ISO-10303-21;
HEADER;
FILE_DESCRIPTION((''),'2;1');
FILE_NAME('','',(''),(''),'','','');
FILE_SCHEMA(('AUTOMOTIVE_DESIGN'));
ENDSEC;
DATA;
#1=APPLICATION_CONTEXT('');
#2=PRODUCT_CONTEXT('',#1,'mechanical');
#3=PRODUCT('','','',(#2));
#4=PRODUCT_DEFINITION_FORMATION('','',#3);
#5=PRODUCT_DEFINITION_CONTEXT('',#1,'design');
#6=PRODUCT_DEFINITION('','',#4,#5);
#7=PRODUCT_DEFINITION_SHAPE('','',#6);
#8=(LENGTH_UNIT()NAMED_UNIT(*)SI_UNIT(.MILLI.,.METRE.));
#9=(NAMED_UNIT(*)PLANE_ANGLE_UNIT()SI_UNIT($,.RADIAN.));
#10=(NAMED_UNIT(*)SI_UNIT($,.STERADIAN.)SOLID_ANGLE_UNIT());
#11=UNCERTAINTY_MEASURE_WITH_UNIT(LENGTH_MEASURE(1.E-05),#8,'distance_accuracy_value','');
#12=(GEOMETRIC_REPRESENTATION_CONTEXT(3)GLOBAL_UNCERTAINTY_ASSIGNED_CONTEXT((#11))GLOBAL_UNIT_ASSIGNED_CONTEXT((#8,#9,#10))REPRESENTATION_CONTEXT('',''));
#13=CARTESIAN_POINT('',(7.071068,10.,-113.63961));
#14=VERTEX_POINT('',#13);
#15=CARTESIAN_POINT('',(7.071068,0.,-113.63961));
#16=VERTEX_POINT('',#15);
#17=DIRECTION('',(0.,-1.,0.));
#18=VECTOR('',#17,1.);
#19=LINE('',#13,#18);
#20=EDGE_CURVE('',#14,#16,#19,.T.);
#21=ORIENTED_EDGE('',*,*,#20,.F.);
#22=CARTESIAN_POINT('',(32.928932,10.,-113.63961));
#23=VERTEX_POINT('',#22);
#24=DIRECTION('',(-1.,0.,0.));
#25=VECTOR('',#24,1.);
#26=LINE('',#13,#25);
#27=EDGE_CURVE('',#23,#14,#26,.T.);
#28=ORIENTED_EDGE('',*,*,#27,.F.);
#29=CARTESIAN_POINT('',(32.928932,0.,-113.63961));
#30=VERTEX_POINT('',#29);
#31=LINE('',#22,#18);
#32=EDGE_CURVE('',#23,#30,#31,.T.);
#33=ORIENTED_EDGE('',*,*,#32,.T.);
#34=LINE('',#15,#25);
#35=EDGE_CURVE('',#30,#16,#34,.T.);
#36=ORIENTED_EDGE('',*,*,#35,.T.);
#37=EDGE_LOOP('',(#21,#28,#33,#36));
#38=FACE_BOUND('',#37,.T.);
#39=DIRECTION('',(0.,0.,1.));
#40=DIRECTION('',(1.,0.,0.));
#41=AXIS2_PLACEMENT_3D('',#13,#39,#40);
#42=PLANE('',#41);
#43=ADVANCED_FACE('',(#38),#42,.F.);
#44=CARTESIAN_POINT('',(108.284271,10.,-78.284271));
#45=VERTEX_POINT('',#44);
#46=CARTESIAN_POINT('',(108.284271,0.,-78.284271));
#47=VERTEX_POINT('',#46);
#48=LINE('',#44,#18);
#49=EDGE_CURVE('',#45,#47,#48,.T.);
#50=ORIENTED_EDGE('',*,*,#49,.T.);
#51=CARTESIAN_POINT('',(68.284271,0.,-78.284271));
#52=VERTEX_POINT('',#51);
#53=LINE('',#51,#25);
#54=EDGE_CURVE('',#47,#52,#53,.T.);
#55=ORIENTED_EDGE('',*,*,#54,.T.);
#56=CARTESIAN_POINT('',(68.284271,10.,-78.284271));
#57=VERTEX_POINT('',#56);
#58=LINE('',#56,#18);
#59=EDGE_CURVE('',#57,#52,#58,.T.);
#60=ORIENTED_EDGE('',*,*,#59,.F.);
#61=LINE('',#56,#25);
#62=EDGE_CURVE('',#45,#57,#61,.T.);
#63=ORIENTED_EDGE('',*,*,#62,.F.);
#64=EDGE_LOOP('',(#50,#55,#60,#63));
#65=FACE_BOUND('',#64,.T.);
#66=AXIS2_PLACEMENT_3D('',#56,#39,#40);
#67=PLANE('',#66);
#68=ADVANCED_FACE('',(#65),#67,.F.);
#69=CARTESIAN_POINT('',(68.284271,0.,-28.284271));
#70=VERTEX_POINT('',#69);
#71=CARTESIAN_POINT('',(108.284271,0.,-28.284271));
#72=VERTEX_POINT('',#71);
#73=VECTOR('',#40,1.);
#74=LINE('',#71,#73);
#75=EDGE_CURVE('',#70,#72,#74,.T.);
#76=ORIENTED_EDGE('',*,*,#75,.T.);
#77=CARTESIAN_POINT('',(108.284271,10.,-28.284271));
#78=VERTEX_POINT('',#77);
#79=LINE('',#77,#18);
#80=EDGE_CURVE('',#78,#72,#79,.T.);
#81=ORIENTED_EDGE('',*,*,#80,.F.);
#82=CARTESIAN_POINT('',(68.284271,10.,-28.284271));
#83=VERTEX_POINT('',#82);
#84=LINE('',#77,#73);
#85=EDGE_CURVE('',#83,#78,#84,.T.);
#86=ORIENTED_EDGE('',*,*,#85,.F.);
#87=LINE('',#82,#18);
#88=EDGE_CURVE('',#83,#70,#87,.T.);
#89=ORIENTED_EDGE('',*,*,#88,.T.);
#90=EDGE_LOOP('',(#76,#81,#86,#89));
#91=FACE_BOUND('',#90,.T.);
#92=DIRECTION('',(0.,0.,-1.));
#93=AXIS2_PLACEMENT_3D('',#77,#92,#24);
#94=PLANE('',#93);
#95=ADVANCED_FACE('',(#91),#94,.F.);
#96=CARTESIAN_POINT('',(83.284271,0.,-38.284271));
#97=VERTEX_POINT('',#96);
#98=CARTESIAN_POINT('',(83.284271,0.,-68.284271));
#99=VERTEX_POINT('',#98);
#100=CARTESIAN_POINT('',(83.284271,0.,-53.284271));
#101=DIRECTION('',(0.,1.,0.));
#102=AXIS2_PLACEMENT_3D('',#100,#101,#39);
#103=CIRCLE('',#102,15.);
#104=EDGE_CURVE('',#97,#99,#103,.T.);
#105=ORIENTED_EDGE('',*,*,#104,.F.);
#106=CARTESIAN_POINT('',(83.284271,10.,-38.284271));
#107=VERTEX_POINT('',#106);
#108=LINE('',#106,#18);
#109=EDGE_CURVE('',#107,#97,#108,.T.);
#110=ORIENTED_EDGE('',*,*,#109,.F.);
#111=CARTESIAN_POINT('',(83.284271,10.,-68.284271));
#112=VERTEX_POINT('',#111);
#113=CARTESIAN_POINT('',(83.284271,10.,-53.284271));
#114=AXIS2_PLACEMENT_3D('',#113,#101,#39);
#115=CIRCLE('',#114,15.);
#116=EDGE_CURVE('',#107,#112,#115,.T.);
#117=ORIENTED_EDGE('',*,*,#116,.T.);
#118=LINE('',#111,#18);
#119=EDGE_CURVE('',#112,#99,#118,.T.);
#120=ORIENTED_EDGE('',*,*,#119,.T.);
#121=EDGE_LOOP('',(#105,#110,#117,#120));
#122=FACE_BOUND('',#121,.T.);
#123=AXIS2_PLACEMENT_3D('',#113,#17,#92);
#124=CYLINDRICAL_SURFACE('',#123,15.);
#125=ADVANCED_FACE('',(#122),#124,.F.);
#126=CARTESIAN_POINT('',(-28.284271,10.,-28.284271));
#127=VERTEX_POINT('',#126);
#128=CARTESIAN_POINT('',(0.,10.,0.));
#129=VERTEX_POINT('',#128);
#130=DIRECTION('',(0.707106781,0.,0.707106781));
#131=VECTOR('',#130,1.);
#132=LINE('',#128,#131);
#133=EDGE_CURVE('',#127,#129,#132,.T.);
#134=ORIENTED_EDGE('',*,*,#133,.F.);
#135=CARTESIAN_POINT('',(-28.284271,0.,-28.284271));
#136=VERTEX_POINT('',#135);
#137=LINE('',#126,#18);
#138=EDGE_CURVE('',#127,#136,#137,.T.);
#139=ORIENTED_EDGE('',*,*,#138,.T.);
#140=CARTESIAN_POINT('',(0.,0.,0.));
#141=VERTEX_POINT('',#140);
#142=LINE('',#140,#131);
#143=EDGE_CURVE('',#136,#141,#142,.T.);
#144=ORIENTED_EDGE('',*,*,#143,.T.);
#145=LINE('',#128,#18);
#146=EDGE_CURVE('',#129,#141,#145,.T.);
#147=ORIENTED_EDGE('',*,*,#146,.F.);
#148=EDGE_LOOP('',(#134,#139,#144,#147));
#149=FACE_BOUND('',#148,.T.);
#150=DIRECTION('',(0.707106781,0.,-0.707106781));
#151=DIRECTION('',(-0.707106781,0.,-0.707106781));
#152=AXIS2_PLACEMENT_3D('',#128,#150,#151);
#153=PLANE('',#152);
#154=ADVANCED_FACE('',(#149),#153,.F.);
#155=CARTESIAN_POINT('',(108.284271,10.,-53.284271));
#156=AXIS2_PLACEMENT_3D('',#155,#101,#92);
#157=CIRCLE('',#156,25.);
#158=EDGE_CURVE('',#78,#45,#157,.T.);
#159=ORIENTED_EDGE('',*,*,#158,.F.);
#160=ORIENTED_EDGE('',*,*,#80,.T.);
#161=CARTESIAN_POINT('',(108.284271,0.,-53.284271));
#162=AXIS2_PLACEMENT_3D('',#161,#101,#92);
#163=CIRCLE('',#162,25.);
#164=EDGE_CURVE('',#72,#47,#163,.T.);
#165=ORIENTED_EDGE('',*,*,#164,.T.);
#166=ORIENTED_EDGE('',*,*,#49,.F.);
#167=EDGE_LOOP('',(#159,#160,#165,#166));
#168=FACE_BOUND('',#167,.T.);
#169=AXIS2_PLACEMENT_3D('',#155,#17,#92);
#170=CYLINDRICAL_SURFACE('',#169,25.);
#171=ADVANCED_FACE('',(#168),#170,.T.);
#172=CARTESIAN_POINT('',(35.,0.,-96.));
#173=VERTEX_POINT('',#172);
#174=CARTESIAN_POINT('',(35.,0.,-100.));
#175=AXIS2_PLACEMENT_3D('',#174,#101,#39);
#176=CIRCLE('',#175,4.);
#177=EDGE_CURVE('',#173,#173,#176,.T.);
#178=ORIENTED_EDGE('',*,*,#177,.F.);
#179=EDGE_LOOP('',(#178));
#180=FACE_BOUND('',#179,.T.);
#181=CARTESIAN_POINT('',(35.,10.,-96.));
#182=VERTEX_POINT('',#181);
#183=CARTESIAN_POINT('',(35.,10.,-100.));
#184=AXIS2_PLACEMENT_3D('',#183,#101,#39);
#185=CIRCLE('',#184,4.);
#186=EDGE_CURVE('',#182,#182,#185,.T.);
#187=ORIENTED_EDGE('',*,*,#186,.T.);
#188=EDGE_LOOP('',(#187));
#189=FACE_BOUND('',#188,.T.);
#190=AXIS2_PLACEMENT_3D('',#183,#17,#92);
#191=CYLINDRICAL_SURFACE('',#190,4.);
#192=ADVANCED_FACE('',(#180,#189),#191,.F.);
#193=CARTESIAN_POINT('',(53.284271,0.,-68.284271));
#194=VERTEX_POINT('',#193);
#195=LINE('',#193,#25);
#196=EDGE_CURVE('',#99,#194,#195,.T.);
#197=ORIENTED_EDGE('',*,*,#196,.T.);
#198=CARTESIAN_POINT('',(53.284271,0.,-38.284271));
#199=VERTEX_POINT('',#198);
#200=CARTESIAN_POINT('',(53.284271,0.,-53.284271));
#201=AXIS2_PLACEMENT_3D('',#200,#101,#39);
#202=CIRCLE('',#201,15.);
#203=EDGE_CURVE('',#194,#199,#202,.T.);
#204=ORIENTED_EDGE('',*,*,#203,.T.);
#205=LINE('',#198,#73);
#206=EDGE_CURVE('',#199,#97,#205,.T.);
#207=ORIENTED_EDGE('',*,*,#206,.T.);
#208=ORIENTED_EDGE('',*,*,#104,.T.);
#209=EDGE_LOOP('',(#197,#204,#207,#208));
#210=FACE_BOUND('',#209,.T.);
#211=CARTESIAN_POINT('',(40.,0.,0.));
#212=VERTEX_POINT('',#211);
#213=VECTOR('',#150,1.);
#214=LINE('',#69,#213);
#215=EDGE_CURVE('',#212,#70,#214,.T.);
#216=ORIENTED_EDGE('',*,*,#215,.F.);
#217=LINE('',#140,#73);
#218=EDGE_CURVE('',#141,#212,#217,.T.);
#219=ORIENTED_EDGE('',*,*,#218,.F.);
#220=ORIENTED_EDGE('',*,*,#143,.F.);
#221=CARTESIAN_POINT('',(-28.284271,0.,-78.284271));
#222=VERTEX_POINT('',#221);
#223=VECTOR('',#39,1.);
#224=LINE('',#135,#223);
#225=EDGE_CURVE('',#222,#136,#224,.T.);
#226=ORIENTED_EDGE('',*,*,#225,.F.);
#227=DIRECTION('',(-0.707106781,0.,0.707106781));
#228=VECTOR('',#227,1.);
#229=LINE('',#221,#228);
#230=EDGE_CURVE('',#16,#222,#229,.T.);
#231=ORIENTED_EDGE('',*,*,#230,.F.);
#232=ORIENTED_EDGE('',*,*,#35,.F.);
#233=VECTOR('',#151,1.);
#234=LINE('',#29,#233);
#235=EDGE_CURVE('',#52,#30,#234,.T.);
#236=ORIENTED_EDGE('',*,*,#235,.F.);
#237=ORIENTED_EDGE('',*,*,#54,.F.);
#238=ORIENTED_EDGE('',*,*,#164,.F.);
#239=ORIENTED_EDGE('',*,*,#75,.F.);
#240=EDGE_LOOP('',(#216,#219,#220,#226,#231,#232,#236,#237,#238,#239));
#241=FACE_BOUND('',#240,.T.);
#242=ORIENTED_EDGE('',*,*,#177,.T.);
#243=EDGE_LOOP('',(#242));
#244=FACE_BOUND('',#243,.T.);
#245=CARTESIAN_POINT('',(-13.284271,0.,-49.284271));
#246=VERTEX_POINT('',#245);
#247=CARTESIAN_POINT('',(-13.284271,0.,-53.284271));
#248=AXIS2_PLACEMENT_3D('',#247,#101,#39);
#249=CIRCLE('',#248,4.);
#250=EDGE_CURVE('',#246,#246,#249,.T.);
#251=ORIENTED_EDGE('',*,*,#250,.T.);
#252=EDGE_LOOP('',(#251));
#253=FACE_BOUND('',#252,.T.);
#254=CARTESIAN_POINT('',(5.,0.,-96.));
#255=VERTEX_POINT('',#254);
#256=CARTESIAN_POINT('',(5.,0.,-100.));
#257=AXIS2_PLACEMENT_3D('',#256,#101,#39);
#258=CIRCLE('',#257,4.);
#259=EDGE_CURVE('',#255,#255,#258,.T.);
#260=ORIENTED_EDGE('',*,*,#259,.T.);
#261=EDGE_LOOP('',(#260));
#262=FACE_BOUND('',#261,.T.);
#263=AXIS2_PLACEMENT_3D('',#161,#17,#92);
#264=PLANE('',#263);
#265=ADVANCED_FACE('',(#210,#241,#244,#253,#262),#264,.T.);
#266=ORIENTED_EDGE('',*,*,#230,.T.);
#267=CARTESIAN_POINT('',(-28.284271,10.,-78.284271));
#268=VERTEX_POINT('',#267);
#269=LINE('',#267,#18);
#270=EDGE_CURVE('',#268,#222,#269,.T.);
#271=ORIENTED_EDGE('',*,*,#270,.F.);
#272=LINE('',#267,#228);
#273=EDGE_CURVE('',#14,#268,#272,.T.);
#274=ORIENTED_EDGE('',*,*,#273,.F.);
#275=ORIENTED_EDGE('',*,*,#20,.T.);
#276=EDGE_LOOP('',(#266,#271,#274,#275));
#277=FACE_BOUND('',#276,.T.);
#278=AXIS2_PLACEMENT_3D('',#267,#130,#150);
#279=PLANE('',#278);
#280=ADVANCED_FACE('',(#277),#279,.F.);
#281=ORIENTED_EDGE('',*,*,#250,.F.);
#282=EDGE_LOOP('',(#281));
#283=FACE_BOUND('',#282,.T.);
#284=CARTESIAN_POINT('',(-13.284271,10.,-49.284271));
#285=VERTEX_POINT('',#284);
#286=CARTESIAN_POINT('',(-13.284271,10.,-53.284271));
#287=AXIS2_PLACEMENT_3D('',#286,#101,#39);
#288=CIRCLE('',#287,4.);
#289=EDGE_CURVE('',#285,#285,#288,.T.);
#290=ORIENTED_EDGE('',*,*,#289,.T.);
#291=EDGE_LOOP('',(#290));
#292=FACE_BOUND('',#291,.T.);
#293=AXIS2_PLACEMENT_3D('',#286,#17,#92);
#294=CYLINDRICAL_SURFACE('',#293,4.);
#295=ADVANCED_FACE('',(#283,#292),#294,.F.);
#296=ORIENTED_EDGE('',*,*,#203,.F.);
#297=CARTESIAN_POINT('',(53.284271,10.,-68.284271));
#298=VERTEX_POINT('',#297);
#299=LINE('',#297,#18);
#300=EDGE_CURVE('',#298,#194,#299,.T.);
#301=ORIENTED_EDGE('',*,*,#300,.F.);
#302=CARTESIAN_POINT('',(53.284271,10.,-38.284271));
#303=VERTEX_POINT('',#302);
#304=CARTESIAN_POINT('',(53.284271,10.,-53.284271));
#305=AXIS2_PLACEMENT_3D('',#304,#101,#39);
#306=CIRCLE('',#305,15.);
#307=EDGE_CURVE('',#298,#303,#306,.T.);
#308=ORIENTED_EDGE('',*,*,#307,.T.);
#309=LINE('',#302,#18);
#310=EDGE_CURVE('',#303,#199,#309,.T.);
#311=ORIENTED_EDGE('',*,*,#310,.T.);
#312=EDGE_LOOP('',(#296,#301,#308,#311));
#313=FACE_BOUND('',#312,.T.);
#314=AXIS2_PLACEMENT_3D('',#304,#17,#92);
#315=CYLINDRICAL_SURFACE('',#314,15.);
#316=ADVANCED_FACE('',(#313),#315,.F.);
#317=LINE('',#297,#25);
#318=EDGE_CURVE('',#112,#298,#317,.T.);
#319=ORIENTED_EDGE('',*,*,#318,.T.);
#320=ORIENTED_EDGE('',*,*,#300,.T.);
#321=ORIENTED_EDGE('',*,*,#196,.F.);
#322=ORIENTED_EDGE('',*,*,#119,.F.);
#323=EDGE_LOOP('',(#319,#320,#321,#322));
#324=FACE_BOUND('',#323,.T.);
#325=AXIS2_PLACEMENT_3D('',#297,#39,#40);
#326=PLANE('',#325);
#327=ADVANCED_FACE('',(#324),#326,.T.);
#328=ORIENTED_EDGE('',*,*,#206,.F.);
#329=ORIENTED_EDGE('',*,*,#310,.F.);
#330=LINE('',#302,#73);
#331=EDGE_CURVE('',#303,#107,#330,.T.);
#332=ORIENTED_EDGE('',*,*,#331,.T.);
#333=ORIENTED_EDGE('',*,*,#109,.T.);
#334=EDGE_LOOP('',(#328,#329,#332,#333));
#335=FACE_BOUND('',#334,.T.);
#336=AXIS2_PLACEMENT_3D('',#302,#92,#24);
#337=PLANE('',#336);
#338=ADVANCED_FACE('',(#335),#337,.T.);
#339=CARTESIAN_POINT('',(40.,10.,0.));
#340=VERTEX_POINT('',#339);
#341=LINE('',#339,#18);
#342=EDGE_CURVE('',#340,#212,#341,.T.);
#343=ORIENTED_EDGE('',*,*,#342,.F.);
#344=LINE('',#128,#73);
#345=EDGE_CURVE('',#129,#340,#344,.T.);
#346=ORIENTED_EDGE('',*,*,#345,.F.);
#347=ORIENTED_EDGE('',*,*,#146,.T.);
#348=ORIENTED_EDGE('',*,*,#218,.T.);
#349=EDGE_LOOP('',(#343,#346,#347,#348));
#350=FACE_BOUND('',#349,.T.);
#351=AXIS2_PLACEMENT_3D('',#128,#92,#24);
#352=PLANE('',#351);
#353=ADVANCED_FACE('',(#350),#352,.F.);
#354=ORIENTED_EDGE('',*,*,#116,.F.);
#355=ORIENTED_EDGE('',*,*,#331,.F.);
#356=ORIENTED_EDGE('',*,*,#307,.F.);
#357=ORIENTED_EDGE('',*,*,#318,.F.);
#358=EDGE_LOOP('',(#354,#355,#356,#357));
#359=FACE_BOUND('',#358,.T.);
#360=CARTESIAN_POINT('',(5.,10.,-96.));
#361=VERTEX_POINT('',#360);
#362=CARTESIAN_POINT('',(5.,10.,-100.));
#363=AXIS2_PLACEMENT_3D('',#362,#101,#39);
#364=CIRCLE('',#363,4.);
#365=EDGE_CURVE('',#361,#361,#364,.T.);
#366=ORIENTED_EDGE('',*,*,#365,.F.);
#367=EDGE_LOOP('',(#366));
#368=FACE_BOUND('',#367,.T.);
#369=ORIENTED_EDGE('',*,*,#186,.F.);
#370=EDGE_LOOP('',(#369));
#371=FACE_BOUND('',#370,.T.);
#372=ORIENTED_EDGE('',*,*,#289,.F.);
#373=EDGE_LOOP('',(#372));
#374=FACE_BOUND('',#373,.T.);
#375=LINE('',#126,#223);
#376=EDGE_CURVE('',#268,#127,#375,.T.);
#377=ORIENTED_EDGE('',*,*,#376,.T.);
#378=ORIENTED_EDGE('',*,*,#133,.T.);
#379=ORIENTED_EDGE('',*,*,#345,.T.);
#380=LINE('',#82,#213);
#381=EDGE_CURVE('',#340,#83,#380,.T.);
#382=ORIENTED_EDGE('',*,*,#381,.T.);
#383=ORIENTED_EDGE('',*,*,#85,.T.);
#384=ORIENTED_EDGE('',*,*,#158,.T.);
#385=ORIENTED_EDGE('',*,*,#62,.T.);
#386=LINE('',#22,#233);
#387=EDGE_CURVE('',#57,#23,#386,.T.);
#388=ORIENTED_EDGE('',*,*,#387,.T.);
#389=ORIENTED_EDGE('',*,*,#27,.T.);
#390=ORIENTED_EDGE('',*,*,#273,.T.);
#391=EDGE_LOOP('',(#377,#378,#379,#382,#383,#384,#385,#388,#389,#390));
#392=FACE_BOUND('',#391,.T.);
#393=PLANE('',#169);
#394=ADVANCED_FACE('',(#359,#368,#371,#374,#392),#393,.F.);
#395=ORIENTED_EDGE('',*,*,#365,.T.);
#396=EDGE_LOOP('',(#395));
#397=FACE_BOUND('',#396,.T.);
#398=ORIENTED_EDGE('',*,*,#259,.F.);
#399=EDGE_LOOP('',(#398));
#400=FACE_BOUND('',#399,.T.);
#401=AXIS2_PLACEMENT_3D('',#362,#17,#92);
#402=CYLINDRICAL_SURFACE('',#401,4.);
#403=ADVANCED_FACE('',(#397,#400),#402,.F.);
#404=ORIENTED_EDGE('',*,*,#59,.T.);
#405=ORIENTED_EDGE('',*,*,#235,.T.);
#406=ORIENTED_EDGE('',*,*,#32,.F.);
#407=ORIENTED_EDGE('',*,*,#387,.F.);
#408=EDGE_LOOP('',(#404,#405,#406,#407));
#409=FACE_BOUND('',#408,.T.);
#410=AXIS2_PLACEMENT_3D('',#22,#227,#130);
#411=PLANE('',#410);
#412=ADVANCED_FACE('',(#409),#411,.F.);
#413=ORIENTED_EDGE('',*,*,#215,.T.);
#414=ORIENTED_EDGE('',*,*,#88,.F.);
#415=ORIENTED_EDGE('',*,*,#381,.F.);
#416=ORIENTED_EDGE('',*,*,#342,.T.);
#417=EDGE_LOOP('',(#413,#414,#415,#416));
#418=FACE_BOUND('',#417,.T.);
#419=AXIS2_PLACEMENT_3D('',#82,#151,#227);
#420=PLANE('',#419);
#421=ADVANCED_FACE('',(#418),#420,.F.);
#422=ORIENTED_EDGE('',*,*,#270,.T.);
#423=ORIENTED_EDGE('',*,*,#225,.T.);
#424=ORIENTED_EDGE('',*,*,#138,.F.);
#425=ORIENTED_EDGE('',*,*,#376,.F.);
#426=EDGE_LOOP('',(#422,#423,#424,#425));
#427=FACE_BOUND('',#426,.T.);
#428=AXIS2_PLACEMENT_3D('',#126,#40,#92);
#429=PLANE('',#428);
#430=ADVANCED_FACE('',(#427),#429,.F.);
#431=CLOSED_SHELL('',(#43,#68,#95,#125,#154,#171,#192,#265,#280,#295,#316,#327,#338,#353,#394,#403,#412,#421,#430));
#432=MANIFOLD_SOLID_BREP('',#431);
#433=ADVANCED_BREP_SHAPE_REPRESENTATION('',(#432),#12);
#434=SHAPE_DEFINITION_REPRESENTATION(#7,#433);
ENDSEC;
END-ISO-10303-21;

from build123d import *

# Parameters (mm, degrees)
SKETCH1_R           = 4
BOSS_EXTRUDE1_DEPTH = 10


with BuildPart() as part:
    # Sketch1 → Boss-Extrude1 (new body)
    with BuildSketch(Plane(origin=(0, 0, 0), x_dir=(1, 0, 0), z_dir=(0, 1, 0))):
        with BuildLine():
            Line((0, 0), (40, 0))
            Line((40, 0), (68.284271247, 28.284271247))
            Line((68.284271247, 28.284271247), (108.284271247, 28.284271247))
            ThreePointArc((108.284271247, 28.284271247), (133.284271247, 53.284271247), (108.284271247, 78.284271247))
            Line((108.284271247, 78.284271247), (68.284271247, 78.284271247))
            Line((68.284271247, 78.284271247), (32.928932188, 113.639610307))
            Line((32.928932188, 113.639610307), (7.071067812, 113.639610307))
            Line((7.071067812, 113.639610307), (-28.284271247, 78.284271247))
            Line((-28.284271247, 78.284271247), (-28.284271247, 28.284271247))
            Line((-28.284271247, 28.284271247), (0, 0))
        make_face()
        with Locations(Location((5, 100, 0), (0, 0, 270))):
            Circle(SKETCH1_R, mode=Mode.SUBTRACT)
        with Locations(Location((35, 100, 0), (0, 0, 270))):
            Circle(SKETCH1_R, mode=Mode.SUBTRACT)
        with Locations(Location((-13.284271247, 53.284271247, 0), (0, 0, 270))):
            Circle(SKETCH1_R, mode=Mode.SUBTRACT)
        with BuildLine():
            Line((53.284271247, 68.284271247), (83.284271247, 68.284271247))
            ThreePointArc((83.284271247, 68.284271247), (98.284271247, 53.284271247), (83.284271247, 38.284271247))
            Line((83.284271247, 38.284271247), (53.284271247, 38.284271247))
            ThreePointArc((53.284271247, 38.284271247), (38.284271247, 53.284271247), (53.284271247, 68.284271247))
        make_face(mode=Mode.SUBTRACT)
    extrude(amount=BOSS_EXTRUDE1_DEPTH)


solid = part.part
